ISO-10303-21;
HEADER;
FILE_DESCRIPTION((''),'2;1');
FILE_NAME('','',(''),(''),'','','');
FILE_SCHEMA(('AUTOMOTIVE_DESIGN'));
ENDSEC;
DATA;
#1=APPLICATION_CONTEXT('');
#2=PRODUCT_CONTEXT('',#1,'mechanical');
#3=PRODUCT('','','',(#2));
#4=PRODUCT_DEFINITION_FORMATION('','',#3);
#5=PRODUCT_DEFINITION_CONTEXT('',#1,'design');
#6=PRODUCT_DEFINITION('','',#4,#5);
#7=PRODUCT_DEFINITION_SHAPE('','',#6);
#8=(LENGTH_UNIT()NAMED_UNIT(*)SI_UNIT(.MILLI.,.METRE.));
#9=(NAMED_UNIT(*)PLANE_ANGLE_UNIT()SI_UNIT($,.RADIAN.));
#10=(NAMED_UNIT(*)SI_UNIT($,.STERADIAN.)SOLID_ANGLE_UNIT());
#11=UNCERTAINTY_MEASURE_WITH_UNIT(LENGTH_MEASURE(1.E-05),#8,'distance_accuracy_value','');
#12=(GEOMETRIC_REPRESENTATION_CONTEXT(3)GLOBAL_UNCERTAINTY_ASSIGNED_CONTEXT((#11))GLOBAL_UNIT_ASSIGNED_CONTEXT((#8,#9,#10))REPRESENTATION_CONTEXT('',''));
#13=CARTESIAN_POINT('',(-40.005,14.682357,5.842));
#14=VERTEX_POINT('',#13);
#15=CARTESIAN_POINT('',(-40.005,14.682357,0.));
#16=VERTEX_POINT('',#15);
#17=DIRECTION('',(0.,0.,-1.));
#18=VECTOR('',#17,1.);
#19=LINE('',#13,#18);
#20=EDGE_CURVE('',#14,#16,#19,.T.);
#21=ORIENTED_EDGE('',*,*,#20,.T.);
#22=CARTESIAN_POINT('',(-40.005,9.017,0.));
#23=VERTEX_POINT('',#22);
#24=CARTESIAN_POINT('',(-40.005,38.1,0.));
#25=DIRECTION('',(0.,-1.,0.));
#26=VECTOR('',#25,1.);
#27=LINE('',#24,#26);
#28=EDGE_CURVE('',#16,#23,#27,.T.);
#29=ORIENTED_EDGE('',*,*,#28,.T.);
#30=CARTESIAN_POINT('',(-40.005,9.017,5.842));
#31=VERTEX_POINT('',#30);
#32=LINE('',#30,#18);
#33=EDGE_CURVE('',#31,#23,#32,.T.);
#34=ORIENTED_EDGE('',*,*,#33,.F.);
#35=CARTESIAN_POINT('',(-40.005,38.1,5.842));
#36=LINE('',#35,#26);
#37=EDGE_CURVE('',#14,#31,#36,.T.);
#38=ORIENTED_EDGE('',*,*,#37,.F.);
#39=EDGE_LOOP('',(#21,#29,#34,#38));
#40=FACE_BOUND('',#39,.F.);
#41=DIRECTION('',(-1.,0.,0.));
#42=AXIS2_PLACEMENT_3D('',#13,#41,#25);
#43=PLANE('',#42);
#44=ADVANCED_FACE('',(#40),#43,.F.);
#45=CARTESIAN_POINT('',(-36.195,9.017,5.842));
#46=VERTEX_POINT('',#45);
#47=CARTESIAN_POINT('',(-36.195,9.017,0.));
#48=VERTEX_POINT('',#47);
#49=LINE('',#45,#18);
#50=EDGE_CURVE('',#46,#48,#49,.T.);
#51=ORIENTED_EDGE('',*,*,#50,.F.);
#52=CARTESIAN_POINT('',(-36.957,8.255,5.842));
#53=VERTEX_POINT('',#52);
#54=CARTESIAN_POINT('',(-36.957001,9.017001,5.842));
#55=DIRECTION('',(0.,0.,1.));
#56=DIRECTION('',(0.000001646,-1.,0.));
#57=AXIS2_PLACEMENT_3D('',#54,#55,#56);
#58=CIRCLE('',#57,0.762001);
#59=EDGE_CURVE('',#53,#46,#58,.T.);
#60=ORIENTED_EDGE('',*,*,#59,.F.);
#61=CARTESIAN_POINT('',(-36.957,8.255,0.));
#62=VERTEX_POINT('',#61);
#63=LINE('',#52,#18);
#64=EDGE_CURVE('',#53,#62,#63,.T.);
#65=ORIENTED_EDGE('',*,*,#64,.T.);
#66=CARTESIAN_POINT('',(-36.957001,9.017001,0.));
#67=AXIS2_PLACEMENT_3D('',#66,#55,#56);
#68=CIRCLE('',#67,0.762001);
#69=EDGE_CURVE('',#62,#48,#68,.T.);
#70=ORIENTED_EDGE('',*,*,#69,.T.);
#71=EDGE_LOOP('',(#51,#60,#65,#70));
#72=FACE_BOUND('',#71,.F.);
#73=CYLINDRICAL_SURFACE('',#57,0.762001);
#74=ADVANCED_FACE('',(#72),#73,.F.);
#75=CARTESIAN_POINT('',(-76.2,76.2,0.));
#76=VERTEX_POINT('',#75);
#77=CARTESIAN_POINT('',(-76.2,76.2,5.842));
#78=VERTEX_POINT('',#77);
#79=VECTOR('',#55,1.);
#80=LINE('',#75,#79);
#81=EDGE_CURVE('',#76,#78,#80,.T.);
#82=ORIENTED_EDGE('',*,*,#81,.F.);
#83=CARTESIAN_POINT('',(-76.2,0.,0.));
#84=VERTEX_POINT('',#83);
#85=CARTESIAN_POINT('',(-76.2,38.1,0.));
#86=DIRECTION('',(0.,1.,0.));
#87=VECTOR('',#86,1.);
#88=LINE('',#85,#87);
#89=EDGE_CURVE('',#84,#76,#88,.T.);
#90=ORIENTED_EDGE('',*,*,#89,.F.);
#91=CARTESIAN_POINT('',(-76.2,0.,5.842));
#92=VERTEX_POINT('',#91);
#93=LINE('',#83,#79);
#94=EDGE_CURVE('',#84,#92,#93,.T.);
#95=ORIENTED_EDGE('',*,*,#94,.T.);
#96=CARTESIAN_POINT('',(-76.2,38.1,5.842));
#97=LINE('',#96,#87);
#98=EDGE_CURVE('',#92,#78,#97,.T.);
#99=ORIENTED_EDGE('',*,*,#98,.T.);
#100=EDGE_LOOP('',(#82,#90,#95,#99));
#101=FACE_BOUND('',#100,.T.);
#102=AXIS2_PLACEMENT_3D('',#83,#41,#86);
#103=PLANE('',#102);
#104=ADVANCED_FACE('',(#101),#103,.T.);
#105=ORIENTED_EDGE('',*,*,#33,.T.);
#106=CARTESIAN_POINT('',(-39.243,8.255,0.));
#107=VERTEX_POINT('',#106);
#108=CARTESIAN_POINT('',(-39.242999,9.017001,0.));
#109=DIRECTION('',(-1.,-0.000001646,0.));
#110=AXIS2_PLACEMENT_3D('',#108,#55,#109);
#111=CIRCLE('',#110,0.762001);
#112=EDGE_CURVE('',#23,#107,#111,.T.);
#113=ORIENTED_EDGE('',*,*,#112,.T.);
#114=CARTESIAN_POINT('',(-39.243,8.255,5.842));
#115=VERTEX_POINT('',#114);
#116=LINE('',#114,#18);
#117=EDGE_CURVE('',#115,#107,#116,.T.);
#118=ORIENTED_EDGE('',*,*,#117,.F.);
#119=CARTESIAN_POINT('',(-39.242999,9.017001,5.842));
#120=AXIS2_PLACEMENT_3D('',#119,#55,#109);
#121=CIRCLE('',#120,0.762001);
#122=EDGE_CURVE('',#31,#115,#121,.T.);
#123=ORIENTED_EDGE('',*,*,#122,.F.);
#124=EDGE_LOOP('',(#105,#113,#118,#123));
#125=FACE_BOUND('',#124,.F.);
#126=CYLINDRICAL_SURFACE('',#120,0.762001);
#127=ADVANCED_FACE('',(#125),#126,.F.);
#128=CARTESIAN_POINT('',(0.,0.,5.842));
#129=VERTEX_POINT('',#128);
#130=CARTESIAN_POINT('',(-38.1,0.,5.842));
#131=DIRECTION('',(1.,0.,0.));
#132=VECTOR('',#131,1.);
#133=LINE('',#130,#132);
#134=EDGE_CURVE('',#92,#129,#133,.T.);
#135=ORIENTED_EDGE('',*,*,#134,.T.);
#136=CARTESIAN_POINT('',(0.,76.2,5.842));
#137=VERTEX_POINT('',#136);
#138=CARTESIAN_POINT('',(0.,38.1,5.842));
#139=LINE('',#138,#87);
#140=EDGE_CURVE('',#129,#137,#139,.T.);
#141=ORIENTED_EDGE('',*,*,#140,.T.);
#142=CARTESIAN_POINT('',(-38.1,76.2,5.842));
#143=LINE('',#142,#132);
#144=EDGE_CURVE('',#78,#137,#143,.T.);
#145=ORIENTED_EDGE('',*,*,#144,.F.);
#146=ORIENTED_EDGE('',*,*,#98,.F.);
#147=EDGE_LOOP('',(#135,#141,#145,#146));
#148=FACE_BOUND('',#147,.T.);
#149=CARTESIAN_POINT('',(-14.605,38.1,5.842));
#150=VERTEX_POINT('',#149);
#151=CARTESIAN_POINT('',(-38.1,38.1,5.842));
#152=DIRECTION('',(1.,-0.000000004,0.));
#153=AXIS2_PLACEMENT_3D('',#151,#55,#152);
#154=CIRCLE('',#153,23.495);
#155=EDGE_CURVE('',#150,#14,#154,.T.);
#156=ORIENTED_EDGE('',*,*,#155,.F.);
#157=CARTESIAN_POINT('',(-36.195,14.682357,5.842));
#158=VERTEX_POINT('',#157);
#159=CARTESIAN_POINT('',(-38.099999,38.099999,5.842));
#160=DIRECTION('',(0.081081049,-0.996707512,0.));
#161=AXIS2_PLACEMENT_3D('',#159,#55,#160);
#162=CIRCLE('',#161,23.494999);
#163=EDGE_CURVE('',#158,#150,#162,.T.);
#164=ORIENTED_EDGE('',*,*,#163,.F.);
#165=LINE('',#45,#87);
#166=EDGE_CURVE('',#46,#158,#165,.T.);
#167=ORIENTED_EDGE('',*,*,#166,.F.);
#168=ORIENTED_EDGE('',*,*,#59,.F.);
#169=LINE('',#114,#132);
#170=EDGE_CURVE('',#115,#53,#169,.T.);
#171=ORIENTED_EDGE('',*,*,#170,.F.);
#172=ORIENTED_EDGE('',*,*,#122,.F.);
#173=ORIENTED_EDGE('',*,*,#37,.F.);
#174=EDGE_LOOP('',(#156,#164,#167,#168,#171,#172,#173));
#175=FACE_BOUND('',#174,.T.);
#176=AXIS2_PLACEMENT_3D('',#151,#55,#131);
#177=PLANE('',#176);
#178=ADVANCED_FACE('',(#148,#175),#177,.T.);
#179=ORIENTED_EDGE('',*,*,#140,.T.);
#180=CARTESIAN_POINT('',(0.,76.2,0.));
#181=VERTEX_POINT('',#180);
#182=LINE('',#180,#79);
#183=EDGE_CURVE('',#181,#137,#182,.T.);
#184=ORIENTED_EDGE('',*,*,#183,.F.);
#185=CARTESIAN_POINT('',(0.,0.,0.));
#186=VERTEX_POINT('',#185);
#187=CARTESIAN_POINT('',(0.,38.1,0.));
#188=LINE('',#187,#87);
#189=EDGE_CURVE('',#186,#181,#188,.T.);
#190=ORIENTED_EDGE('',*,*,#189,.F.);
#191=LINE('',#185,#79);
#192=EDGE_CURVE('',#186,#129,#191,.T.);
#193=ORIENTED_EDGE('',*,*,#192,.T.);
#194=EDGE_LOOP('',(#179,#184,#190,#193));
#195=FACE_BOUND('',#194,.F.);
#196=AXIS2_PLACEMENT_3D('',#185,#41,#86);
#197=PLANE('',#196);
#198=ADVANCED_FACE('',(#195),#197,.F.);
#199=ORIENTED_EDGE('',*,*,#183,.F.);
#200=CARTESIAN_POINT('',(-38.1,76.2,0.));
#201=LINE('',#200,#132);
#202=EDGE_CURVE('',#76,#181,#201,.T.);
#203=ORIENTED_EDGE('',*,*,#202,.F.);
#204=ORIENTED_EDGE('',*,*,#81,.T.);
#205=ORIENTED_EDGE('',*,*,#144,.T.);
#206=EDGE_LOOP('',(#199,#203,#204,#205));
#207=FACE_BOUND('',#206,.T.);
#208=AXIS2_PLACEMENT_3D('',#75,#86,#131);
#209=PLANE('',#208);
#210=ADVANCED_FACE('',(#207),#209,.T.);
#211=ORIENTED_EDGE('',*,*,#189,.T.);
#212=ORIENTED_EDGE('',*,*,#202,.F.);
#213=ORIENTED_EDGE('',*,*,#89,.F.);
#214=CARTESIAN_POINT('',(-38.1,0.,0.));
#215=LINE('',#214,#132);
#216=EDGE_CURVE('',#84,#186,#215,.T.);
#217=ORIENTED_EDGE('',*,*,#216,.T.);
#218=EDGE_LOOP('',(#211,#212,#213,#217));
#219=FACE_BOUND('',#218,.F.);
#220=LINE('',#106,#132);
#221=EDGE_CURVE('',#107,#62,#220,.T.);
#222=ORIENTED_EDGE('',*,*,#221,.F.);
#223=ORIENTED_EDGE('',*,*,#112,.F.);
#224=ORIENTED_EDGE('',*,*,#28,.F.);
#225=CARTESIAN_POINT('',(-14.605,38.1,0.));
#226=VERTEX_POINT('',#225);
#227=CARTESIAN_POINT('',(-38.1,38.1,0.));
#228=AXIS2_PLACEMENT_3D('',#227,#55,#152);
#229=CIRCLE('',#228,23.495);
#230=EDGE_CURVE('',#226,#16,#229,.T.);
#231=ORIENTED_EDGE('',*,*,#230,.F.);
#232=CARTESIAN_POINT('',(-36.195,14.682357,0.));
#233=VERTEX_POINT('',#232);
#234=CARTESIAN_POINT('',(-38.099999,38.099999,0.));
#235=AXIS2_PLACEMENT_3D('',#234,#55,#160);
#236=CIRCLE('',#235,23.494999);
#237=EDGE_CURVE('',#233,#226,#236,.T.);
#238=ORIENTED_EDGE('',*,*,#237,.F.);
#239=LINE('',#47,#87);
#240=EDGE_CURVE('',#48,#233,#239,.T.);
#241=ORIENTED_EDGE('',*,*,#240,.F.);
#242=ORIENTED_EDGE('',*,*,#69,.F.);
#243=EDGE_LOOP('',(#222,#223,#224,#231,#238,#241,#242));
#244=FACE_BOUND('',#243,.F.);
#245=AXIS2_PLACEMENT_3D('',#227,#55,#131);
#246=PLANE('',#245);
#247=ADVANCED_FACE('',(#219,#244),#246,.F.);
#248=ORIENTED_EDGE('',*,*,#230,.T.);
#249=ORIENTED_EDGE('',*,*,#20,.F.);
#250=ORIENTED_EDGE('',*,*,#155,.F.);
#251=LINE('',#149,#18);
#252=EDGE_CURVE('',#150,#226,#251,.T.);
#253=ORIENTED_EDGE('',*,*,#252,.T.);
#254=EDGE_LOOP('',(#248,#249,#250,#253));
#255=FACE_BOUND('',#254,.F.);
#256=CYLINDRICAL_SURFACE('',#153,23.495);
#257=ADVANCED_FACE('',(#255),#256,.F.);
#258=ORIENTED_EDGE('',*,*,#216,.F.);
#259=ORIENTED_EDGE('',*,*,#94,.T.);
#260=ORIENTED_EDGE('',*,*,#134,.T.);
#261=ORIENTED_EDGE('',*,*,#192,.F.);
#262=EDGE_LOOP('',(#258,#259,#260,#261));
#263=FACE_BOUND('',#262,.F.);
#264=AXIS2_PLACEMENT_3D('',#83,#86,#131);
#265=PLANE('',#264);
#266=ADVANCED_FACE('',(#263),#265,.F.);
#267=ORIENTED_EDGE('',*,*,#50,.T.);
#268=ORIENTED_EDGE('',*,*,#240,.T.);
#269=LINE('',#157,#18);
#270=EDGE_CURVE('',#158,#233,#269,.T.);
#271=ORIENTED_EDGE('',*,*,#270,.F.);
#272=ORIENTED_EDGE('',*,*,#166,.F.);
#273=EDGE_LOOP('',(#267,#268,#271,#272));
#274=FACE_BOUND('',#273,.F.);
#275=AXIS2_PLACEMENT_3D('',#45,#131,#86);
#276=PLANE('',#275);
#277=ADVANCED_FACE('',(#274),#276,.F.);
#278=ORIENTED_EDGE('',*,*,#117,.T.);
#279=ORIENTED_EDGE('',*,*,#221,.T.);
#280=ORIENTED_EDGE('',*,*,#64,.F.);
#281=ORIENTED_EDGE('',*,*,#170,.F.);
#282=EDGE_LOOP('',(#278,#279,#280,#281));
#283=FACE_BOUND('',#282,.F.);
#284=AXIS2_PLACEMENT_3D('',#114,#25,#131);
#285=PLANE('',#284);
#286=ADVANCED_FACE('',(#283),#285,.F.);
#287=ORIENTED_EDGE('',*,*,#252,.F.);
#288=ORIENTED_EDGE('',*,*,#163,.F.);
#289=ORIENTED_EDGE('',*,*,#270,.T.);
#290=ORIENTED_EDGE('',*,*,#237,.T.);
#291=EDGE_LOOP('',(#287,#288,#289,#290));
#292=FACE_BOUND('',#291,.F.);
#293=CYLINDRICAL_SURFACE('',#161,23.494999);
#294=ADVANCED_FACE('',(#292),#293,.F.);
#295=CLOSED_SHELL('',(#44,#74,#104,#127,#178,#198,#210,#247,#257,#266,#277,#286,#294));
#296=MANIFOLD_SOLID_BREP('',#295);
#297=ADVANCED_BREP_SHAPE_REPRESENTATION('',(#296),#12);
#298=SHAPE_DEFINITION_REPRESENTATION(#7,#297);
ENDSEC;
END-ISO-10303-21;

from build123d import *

# Parameters (mm, degrees)
F0_W     = 76.2
F0_H     = 76.2
F1_DEPTH = 5.842
F3_DEPTH = 5.842


with BuildPart() as f1:
    # F0 (on Top) → F1 (new body)
    with BuildSketch(Plane.XY):
        with Locations((-38.1, 38.1)):
            Rectangle(F0_W, F0_H)
    extrude(amount=F1_DEPTH)

    # F2 (on face) → F3 (cut, through all)
    with BuildSketch(Plane.XY.offset(5.842)):
        with BuildLine():
            ThreePointArc((-36.195, 14.682357), (-38.1, 14.605), (-40.005, 14.682357))
            Line((-40.005, 14.682357), (-40.005, 9.017))
            ThreePointArc((-40.005, 9.017), (-39.781815, 8.478185), (-39.243, 8.255))
            Line((-39.243, 8.255), (-36.957, 8.255))
            ThreePointArc((-36.957, 8.255), (-36.418185, 8.478185), (-36.195, 9.017))
            Line((-36.195, 9.017), (-36.195, 14.682357))
        make_face()
        with BuildLine():
            Line((-40.005, 38.1), (-40.005, 14.682357))
            ThreePointArc((-40.005, 14.682357), (-38.1, 14.605), (-36.195, 14.682357))
            Line((-36.195, 14.682357), (-36.195, 38.1))
            Line((-36.195, 38.1), (-40.005, 38.1))
        make_face()
        with BuildLine():
            ThreePointArc((-36.195, 14.682357), (-20.826132, 22.174281), (-14.605, 38.1))
            ThreePointArc((-14.605, 38.1), (-54.025719, 55.373868), (-40.005, 14.682357))
            Line((-40.005, 14.682357), (-40.005, 38.1))
            Line((-40.005, 38.1), (-36.195, 38.1))
            Line((-36.195, 38.1), (-36.195, 14.682357))
        make_face()
    extrude(amount=-F3_DEPTH, mode=Mode.SUBTRACT)


solid = f1.part
